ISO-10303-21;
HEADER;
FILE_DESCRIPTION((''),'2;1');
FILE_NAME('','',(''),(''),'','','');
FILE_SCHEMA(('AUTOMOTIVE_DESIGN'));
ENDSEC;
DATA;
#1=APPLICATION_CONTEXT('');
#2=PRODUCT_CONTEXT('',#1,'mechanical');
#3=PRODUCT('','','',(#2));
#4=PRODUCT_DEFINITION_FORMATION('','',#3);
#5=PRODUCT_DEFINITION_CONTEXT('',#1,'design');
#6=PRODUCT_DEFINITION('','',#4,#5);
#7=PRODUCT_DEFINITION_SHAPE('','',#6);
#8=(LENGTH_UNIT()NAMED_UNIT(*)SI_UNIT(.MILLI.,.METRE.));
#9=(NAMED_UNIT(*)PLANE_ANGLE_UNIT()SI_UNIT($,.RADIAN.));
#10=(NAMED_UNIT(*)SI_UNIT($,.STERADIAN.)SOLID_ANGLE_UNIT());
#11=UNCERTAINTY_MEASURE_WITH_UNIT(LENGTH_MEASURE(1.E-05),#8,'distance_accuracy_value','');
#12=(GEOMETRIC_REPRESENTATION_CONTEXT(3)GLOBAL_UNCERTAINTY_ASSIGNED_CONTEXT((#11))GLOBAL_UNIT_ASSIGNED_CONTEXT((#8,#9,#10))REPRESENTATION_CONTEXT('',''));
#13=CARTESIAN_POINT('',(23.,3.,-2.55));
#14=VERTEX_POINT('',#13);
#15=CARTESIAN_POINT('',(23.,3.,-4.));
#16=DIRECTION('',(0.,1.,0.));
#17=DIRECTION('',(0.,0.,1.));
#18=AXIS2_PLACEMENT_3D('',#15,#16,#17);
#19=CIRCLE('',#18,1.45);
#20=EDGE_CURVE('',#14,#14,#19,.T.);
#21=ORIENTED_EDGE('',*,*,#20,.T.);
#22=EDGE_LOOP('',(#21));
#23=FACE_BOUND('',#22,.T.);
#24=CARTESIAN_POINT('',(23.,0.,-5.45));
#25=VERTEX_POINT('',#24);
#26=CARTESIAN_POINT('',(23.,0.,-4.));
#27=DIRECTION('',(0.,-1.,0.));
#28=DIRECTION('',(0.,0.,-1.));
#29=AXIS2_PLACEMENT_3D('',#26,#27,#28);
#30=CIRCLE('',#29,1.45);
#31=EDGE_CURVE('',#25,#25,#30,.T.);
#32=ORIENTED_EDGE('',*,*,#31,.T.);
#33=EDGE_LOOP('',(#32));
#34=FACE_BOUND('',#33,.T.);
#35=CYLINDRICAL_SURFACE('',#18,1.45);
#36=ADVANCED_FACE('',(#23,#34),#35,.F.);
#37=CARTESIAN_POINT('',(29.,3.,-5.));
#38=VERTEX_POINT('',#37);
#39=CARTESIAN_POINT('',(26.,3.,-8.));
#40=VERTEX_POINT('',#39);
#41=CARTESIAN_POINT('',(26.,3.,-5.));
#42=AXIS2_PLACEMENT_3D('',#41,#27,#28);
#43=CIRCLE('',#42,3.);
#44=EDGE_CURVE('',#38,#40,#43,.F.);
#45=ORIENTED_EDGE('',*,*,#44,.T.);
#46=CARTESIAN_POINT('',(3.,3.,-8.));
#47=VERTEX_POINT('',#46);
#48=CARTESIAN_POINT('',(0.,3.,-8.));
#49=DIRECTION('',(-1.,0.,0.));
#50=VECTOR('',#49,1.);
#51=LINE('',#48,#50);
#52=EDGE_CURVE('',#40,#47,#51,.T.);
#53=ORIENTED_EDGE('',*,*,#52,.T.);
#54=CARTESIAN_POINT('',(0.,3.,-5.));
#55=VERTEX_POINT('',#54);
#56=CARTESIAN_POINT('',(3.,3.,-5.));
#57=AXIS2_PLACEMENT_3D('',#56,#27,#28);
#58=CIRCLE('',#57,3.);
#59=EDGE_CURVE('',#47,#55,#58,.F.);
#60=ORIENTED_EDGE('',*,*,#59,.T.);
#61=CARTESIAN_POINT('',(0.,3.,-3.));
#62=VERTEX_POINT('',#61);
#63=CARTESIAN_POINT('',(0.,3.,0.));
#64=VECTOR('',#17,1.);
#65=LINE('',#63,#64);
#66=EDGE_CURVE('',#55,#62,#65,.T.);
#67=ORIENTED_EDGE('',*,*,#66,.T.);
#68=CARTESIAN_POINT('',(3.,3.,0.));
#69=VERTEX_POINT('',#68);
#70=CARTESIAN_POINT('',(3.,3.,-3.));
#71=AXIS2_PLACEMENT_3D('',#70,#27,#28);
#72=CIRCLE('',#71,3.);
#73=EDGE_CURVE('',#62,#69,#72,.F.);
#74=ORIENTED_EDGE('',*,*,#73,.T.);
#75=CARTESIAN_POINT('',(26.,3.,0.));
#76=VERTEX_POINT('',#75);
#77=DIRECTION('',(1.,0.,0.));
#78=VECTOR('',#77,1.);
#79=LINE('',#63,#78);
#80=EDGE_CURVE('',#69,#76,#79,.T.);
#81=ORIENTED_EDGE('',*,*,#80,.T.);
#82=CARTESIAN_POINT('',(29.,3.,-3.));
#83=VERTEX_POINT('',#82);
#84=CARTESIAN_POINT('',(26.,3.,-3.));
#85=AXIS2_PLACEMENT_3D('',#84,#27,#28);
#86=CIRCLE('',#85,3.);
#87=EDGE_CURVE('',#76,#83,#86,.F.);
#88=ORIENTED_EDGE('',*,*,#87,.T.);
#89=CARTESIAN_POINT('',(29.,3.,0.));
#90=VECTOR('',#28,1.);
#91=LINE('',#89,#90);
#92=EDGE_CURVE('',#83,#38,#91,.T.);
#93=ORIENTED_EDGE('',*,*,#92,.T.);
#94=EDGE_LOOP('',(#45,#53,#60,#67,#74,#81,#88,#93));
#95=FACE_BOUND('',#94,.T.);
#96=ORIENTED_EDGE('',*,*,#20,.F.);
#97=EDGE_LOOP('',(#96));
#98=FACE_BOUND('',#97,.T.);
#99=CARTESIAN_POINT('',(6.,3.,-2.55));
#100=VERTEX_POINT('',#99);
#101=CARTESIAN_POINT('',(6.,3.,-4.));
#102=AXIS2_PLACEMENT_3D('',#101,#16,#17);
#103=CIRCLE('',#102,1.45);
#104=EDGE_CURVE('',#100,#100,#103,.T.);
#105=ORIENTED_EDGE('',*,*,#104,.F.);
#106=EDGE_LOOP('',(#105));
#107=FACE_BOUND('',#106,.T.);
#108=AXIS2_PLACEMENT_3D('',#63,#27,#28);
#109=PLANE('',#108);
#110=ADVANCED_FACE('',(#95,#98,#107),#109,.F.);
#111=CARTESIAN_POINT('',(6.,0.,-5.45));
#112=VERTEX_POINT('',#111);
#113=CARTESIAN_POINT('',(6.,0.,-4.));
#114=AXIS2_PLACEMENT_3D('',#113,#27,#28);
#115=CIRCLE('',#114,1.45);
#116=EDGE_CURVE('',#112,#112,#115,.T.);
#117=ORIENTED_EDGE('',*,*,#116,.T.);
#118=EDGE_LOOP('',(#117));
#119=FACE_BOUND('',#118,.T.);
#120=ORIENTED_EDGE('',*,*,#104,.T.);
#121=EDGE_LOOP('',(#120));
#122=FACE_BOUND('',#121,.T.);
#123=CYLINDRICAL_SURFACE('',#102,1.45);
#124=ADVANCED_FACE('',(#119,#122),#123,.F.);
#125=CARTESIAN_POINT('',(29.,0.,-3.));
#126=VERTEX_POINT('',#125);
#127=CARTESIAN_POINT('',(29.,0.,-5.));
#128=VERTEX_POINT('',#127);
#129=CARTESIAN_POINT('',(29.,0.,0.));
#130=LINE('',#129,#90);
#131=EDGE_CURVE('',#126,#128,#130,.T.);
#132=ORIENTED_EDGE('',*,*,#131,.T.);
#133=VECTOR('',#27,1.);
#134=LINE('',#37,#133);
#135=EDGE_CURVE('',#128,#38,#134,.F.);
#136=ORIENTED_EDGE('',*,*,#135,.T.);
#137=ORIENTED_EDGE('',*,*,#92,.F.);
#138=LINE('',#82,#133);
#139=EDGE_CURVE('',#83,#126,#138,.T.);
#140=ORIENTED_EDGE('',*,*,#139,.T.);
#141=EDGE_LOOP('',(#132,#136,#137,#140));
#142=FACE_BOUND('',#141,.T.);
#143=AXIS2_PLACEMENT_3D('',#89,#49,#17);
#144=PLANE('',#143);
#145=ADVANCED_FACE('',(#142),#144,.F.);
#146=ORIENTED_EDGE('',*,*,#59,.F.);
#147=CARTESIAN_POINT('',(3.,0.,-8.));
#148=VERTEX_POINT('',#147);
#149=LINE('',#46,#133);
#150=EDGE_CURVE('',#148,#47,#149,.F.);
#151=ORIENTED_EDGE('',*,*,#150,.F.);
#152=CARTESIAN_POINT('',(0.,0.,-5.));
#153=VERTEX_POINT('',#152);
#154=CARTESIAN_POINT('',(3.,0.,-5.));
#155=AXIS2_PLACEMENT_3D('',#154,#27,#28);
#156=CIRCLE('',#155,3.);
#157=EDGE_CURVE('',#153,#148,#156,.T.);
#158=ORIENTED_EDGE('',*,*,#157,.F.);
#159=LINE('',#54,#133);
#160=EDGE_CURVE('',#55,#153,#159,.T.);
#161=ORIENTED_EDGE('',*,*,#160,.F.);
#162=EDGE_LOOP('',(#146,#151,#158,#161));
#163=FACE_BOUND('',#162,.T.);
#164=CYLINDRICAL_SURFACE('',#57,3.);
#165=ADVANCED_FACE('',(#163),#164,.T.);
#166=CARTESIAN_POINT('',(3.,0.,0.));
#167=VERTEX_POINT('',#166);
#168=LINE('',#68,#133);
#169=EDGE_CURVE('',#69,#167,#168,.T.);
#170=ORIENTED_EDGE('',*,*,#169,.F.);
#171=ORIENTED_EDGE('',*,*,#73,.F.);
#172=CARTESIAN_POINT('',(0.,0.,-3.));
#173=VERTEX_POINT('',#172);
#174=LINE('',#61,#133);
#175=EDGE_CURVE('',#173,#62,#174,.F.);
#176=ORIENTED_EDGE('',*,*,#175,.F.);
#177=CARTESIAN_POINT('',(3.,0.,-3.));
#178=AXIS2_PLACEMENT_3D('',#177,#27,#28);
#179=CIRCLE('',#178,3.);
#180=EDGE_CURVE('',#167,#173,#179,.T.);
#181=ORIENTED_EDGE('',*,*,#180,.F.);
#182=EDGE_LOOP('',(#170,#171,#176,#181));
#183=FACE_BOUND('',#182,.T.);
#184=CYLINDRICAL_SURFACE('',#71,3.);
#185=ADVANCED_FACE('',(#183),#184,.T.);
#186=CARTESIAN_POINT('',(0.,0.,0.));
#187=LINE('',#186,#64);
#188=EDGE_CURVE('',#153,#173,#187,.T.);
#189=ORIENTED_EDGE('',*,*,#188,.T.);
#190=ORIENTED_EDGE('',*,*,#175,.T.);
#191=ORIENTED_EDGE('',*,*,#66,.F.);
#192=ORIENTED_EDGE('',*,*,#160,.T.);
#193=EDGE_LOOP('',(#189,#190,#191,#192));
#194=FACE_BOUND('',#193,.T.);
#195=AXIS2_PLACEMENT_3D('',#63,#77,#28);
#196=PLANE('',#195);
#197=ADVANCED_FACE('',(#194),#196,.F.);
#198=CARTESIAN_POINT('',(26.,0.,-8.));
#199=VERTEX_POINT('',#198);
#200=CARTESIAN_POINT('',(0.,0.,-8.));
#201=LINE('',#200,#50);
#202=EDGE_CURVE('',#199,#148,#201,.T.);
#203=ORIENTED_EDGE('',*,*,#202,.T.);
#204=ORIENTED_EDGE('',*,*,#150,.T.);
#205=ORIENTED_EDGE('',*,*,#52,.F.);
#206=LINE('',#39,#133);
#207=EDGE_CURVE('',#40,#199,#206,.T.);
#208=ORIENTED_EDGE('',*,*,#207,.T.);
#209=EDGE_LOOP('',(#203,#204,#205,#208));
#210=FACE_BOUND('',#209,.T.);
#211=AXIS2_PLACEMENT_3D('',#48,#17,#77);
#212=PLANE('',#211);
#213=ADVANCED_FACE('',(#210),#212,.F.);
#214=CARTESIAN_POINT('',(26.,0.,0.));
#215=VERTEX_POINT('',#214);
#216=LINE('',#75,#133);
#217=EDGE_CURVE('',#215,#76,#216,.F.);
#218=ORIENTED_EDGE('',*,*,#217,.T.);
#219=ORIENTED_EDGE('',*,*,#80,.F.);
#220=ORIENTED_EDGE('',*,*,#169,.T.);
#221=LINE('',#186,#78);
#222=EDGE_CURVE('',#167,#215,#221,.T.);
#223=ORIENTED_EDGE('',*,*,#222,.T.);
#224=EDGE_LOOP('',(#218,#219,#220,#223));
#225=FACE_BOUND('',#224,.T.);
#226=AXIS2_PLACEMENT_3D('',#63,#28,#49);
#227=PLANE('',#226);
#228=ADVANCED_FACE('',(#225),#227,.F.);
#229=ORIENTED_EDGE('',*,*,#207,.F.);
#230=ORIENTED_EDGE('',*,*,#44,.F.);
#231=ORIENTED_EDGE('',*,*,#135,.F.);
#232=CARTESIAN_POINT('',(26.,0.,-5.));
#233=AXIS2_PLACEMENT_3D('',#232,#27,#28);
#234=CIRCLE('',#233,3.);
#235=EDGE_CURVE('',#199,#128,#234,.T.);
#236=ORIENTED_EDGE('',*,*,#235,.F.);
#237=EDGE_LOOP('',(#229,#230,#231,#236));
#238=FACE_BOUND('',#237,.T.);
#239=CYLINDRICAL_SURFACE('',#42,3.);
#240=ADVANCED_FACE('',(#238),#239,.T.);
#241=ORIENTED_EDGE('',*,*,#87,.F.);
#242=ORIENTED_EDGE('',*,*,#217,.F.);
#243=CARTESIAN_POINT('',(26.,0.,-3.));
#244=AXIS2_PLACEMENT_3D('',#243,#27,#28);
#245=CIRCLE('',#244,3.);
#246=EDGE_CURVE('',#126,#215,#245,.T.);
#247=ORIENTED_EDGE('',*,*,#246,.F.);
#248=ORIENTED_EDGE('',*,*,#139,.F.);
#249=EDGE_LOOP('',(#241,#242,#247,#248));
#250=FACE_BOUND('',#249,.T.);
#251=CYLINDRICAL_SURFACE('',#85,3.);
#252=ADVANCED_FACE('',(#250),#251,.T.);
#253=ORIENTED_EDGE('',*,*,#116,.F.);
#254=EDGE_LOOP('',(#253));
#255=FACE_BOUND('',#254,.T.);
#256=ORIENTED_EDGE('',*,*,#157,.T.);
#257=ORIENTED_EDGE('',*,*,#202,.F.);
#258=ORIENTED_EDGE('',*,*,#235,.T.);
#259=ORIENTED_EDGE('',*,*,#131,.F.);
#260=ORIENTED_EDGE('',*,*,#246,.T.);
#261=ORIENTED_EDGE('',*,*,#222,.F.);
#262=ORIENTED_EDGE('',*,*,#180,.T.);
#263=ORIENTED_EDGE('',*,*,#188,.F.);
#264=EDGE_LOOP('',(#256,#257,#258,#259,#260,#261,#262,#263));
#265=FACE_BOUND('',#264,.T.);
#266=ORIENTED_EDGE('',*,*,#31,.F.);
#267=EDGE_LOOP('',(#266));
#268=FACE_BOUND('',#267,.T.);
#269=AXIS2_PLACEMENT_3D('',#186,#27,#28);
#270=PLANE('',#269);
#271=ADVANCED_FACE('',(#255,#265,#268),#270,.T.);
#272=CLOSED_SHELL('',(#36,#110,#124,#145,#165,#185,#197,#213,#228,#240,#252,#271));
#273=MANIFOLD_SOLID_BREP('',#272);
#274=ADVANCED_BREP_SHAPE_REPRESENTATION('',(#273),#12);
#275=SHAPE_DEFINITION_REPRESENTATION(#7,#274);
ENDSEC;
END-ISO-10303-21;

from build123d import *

# Parameters (mm, degrees)
SKETCH1_W              = 29
SKETCH1_H              = 8
BOSS_EXTRUDE1_DEPTH    = 3
M2_5_CLEARANCE_HOLE1_D = 2.9
FILLET1_R              = 3


with BuildPart() as part:
    # Sketch1 → Boss-Extrude1 (new body)
    with BuildSketch(Plane(origin=(0, 0, 0), x_dir=(1, 0, 0), z_dir=(0, 1, 0))):
        with Locations((14.5, 4)):
            Rectangle(SKETCH1_W, SKETCH1_H)
    extrude(amount=BOSS_EXTRUDE1_DEPTH)

    # M2.5 Clearance Hole1 (through all)
    with Locations(Plane(origin=(0, 3, 0), x_dir=(1, 0, 0), z_dir=(0, 1, 0))):
        with Locations((6, 4), (23, 4)):
            Hole(M2_5_CLEARANCE_HOLE1_D / 2)

    # Fillet1
    fillet1_edges = [part.edges().sort_by_distance(p)[0] for p in [
        (0, 1.5, -8),
        (29, 1.5, -8),
        (29, 1.5, 0),
        (0, 1.5, 0),
    ]]
    fillet(fillet1_edges, radius=FILLET1_R)


solid = part.part
